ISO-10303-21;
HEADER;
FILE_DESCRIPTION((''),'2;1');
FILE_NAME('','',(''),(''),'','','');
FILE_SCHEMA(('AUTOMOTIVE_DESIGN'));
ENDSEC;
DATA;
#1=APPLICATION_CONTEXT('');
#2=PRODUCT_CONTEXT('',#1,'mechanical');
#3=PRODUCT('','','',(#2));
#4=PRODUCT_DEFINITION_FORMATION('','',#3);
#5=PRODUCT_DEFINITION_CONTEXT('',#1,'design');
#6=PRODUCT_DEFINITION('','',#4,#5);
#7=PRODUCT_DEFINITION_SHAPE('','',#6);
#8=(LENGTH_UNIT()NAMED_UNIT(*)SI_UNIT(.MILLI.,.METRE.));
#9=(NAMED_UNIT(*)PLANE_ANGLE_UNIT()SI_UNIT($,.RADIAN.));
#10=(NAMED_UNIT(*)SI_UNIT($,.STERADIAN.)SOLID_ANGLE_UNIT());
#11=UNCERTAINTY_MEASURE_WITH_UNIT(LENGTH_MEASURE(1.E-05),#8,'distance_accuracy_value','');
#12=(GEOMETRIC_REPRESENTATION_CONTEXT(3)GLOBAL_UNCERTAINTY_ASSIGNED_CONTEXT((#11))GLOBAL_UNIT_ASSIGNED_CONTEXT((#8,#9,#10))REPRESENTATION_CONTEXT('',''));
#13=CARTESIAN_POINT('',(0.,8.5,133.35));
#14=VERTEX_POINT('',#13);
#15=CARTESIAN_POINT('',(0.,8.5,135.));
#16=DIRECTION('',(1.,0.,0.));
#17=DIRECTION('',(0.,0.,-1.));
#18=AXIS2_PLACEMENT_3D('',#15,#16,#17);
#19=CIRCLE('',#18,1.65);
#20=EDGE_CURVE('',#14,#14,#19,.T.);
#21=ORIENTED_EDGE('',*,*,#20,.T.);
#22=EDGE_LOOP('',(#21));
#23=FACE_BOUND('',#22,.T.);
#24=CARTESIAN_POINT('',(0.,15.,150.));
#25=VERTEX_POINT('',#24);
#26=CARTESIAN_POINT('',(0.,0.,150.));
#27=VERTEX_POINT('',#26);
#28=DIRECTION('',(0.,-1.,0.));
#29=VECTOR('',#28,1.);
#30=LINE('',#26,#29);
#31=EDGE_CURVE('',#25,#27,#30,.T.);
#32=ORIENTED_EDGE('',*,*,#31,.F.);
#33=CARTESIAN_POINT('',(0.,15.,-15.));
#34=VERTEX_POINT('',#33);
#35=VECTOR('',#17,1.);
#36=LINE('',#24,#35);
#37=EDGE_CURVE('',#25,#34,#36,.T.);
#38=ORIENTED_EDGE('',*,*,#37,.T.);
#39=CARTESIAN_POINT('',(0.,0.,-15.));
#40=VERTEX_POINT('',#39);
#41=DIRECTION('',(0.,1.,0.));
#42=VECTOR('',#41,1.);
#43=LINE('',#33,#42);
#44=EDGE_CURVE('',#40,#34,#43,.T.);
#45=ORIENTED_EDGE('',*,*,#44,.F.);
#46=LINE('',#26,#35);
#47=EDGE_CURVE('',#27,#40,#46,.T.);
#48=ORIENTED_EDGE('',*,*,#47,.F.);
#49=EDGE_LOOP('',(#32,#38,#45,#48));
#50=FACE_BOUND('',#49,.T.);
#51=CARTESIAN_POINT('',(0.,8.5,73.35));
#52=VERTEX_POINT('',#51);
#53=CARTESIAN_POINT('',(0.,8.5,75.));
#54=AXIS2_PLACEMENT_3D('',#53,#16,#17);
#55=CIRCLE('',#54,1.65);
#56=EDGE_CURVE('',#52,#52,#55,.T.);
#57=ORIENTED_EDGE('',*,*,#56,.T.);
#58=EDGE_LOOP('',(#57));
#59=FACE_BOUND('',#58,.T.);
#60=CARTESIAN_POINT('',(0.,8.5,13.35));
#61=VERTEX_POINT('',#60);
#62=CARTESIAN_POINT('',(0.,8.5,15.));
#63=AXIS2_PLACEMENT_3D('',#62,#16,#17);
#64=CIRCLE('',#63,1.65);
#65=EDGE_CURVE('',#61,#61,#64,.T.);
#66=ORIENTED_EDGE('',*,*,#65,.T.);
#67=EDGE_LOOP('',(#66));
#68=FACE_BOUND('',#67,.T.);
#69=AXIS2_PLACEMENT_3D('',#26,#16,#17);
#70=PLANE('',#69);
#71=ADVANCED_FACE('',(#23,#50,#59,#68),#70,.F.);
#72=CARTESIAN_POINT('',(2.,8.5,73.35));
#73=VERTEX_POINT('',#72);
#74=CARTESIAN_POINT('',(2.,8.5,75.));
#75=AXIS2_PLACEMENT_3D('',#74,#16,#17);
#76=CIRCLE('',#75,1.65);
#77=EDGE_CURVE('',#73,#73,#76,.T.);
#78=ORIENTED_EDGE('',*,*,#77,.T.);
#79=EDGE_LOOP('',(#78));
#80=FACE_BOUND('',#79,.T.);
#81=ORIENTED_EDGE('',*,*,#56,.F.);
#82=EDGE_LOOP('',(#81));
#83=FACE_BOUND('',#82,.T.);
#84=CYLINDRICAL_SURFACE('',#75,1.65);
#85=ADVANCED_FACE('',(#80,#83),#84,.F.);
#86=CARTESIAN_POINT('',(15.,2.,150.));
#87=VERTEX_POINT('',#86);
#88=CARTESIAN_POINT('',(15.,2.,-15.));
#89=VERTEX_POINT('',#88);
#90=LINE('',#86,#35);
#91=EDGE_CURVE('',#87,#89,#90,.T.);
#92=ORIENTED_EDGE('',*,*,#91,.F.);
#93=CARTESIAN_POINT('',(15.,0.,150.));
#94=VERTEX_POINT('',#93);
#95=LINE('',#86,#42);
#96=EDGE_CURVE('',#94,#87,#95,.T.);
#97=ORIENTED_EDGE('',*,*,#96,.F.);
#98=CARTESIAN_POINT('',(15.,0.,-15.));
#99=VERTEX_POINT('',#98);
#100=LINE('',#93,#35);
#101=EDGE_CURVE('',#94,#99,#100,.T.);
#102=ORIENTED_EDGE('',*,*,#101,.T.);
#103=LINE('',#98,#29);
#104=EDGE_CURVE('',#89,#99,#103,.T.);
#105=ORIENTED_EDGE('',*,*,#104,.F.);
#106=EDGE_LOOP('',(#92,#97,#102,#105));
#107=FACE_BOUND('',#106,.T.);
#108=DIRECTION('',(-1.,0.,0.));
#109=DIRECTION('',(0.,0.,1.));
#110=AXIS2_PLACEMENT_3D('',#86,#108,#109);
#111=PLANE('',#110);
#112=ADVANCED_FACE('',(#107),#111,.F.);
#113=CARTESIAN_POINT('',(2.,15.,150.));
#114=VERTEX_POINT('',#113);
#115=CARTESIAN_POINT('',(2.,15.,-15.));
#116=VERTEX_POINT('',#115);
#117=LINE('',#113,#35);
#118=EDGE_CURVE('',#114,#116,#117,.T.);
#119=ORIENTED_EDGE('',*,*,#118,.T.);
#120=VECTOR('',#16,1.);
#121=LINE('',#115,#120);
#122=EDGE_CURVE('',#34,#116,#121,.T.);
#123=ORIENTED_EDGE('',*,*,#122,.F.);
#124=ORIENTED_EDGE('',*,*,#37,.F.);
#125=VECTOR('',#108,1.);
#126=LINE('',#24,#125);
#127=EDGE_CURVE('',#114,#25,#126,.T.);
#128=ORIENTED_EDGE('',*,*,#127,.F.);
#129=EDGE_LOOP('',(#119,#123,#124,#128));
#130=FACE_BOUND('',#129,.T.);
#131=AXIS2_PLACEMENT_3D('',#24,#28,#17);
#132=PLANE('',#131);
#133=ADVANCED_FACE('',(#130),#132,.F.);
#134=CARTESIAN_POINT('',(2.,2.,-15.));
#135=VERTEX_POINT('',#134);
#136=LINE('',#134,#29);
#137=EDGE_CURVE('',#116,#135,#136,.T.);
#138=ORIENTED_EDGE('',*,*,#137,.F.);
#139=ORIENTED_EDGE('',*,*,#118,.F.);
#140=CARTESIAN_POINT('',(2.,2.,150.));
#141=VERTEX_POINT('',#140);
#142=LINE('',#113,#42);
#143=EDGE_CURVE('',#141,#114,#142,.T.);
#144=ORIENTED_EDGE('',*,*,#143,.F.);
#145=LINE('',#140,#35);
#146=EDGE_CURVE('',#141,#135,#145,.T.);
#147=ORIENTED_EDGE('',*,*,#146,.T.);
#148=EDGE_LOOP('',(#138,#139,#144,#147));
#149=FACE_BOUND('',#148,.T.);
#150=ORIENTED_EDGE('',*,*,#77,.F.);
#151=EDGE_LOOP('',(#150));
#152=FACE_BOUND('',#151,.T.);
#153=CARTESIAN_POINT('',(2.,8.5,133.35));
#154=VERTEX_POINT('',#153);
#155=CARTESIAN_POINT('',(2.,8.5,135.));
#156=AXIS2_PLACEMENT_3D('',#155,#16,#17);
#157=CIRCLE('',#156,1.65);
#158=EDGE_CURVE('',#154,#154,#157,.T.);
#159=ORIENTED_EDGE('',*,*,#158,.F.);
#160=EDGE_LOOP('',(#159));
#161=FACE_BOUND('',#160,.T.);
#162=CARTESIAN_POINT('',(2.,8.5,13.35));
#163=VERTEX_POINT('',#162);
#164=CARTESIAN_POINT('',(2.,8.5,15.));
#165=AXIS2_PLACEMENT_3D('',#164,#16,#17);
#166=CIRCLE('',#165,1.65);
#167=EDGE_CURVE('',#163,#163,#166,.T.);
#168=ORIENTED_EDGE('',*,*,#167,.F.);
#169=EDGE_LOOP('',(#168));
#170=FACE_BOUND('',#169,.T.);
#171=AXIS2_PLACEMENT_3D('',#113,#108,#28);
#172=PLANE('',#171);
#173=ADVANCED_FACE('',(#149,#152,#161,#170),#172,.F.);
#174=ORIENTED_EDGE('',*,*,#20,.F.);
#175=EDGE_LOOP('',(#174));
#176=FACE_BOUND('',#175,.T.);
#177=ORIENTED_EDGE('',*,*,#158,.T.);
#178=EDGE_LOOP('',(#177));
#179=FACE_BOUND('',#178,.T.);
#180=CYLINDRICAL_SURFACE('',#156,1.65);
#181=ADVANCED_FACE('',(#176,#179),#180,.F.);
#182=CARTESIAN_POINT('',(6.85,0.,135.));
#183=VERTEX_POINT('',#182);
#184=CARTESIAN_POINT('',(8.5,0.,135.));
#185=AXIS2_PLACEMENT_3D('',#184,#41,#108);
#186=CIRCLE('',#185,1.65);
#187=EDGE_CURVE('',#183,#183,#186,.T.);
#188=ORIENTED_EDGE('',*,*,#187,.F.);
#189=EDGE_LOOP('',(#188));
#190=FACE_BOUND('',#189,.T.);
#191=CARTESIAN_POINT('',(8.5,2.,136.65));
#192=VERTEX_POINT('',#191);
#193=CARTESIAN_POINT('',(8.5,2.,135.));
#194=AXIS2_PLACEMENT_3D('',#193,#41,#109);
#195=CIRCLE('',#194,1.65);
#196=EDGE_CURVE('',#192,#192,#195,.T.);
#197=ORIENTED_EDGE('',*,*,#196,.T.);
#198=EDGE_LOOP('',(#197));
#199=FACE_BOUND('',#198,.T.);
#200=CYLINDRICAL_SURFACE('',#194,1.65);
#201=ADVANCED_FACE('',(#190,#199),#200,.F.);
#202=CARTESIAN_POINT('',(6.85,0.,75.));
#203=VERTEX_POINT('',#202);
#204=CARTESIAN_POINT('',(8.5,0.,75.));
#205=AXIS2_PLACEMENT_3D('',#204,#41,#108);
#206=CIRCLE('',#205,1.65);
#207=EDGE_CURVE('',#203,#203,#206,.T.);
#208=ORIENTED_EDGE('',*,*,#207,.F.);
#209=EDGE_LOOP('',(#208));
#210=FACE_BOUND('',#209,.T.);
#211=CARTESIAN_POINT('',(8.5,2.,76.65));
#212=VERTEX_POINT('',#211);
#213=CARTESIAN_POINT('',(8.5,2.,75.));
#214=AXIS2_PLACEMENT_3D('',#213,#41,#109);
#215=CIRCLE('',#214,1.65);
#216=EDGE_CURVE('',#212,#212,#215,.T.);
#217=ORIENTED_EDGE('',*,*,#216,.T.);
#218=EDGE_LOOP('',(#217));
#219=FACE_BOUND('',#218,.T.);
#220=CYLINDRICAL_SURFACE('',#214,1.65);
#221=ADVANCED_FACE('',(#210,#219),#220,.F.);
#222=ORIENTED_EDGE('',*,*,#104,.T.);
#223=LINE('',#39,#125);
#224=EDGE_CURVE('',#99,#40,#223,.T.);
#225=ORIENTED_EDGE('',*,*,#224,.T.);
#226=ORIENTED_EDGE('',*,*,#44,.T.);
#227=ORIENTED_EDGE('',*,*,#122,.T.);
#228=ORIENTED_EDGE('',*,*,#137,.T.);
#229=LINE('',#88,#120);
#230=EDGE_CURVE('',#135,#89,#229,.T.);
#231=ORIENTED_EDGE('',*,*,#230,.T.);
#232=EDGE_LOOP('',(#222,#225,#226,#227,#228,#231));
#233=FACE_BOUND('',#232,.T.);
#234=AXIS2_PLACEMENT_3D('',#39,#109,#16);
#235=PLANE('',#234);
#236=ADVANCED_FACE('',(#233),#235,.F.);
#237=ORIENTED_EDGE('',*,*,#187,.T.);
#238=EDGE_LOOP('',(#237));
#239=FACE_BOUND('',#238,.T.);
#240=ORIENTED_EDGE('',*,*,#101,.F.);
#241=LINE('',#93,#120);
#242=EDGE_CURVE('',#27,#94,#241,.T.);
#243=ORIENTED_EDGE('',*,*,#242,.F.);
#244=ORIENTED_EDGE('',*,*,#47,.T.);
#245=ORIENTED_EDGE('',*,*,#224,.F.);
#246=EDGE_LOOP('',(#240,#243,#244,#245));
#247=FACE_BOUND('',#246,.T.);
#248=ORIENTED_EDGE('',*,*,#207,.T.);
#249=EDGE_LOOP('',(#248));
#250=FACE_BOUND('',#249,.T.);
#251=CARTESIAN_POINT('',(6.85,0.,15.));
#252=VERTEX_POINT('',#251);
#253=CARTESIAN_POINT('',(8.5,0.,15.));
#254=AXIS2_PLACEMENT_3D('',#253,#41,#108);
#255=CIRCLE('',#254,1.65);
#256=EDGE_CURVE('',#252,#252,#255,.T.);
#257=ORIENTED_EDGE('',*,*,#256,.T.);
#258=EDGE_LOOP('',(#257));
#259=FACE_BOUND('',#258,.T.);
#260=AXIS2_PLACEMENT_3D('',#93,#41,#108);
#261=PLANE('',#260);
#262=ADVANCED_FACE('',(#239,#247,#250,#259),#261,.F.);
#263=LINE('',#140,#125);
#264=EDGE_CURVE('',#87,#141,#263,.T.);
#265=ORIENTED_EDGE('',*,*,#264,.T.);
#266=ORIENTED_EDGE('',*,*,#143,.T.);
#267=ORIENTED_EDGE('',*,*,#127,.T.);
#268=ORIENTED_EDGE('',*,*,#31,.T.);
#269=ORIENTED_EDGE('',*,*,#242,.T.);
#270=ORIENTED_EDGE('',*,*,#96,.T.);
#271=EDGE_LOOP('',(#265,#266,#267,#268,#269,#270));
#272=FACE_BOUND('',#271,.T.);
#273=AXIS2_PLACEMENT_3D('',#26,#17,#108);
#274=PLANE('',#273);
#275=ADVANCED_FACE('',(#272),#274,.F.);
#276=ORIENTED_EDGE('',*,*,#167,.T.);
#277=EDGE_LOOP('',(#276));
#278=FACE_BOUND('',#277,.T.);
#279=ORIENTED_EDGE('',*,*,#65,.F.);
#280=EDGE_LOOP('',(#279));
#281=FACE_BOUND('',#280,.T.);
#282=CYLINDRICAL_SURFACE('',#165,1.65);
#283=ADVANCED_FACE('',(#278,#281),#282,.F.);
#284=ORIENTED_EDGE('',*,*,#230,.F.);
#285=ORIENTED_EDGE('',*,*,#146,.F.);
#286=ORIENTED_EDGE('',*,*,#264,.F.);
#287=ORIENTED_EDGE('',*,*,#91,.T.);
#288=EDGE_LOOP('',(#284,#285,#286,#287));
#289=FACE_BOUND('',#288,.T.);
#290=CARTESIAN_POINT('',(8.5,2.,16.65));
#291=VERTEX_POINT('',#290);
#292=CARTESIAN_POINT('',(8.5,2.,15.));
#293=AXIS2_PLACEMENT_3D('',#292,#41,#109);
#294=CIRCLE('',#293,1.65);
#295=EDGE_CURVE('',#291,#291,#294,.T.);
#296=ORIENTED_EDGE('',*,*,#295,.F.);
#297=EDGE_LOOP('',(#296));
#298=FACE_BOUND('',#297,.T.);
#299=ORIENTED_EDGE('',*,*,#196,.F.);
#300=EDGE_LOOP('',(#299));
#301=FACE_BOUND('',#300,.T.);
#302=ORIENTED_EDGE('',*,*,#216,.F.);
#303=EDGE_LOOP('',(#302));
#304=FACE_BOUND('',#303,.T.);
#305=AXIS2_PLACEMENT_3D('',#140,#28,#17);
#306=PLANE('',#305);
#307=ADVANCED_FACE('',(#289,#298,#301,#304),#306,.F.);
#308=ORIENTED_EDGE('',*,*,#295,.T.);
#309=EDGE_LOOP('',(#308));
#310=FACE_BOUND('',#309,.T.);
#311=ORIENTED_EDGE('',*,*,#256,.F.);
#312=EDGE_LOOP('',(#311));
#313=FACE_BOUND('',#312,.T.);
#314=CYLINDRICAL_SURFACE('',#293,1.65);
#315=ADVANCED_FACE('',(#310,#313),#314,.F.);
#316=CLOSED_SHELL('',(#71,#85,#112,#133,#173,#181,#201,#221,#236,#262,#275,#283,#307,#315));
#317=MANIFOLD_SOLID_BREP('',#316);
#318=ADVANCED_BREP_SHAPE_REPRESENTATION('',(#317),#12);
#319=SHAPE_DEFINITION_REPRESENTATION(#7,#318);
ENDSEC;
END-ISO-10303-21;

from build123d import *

# Parameters (mm, degrees)
EXTRUDE_1_DEPTH          = 150
EXTRUDE_2_DEPTH          = 15
M4X0_7_1_D               = 3.3
M4X0_7_1_DEPTH           = 11.5
M4X0_7_1_TIP             = 0.991420021
M4X0_7_1_ON_FACE_2_D     = 3.3
M4X0_7_1_ON_FACE_2_DEPTH = 11.5
M4X0_7_1_ON_FACE_2_TIP   = 0.991420021


with BuildPart() as part:
    # ｽｹｯﾁ1 → ﾎﾞｽ - 押し出し1 (new body)
    with BuildSketch(Plane.XY):
        Polygon((0, 0), (0, 15), (2, 15), (2, 2), (15, 2), (15, 0), align=None)
    extrude(amount=EXTRUDE_1_DEPTH)

    # ｽｹｯﾁ7 → ﾎﾞｽ - 押し出し2 (add)
    with BuildSketch(Plane(origin=(0, 0, 0), x_dir=(-1, 0, 0), z_dir=(0, 0, -1))):
        Polygon((-15, 2), (-2, 2), (-2, 15), (0, 15), (0, 0), (-15, 0), align=None)
    extrude(amount=EXTRUDE_2_DEPTH)

    # M4x0.7 ねじ穴1
    with Locations(Plane(origin=(8.5, 2, 15), x_dir=(0, 0, 1), z_dir=(0, 1, 0))):
        with Locations((0, 0), (60, 0), (120, 0)):
            Hole(M4X0_7_1_D / 2, depth=M4X0_7_1_DEPTH)
            with Locations((0, 0, -(M4X0_7_1_DEPTH + M4X0_7_1_TIP / 2))):  # 118° drill point
                Cone(0, M4X0_7_1_D / 2, M4X0_7_1_TIP, mode=Mode.SUBTRACT)

    # M4x0.7 ねじ穴1 on face 2
    with Locations(Plane(origin=(2, 8.5, 135), x_dir=(0, 0, 1), z_dir=(1, 0, 0))):
        with Locations((0, 0), (-60, 0), (-120, 0)):
            Hole(M4X0_7_1_ON_FACE_2_D / 2, depth=M4X0_7_1_ON_FACE_2_DEPTH)
            with Locations((0, 0, -(M4X0_7_1_ON_FACE_2_DEPTH + M4X0_7_1_ON_FACE_2_TIP / 2))):  # 118° drill point
                Cone(0, M4X0_7_1_ON_FACE_2_D / 2, M4X0_7_1_ON_FACE_2_TIP, mode=Mode.SUBTRACT)


solid = part.part
